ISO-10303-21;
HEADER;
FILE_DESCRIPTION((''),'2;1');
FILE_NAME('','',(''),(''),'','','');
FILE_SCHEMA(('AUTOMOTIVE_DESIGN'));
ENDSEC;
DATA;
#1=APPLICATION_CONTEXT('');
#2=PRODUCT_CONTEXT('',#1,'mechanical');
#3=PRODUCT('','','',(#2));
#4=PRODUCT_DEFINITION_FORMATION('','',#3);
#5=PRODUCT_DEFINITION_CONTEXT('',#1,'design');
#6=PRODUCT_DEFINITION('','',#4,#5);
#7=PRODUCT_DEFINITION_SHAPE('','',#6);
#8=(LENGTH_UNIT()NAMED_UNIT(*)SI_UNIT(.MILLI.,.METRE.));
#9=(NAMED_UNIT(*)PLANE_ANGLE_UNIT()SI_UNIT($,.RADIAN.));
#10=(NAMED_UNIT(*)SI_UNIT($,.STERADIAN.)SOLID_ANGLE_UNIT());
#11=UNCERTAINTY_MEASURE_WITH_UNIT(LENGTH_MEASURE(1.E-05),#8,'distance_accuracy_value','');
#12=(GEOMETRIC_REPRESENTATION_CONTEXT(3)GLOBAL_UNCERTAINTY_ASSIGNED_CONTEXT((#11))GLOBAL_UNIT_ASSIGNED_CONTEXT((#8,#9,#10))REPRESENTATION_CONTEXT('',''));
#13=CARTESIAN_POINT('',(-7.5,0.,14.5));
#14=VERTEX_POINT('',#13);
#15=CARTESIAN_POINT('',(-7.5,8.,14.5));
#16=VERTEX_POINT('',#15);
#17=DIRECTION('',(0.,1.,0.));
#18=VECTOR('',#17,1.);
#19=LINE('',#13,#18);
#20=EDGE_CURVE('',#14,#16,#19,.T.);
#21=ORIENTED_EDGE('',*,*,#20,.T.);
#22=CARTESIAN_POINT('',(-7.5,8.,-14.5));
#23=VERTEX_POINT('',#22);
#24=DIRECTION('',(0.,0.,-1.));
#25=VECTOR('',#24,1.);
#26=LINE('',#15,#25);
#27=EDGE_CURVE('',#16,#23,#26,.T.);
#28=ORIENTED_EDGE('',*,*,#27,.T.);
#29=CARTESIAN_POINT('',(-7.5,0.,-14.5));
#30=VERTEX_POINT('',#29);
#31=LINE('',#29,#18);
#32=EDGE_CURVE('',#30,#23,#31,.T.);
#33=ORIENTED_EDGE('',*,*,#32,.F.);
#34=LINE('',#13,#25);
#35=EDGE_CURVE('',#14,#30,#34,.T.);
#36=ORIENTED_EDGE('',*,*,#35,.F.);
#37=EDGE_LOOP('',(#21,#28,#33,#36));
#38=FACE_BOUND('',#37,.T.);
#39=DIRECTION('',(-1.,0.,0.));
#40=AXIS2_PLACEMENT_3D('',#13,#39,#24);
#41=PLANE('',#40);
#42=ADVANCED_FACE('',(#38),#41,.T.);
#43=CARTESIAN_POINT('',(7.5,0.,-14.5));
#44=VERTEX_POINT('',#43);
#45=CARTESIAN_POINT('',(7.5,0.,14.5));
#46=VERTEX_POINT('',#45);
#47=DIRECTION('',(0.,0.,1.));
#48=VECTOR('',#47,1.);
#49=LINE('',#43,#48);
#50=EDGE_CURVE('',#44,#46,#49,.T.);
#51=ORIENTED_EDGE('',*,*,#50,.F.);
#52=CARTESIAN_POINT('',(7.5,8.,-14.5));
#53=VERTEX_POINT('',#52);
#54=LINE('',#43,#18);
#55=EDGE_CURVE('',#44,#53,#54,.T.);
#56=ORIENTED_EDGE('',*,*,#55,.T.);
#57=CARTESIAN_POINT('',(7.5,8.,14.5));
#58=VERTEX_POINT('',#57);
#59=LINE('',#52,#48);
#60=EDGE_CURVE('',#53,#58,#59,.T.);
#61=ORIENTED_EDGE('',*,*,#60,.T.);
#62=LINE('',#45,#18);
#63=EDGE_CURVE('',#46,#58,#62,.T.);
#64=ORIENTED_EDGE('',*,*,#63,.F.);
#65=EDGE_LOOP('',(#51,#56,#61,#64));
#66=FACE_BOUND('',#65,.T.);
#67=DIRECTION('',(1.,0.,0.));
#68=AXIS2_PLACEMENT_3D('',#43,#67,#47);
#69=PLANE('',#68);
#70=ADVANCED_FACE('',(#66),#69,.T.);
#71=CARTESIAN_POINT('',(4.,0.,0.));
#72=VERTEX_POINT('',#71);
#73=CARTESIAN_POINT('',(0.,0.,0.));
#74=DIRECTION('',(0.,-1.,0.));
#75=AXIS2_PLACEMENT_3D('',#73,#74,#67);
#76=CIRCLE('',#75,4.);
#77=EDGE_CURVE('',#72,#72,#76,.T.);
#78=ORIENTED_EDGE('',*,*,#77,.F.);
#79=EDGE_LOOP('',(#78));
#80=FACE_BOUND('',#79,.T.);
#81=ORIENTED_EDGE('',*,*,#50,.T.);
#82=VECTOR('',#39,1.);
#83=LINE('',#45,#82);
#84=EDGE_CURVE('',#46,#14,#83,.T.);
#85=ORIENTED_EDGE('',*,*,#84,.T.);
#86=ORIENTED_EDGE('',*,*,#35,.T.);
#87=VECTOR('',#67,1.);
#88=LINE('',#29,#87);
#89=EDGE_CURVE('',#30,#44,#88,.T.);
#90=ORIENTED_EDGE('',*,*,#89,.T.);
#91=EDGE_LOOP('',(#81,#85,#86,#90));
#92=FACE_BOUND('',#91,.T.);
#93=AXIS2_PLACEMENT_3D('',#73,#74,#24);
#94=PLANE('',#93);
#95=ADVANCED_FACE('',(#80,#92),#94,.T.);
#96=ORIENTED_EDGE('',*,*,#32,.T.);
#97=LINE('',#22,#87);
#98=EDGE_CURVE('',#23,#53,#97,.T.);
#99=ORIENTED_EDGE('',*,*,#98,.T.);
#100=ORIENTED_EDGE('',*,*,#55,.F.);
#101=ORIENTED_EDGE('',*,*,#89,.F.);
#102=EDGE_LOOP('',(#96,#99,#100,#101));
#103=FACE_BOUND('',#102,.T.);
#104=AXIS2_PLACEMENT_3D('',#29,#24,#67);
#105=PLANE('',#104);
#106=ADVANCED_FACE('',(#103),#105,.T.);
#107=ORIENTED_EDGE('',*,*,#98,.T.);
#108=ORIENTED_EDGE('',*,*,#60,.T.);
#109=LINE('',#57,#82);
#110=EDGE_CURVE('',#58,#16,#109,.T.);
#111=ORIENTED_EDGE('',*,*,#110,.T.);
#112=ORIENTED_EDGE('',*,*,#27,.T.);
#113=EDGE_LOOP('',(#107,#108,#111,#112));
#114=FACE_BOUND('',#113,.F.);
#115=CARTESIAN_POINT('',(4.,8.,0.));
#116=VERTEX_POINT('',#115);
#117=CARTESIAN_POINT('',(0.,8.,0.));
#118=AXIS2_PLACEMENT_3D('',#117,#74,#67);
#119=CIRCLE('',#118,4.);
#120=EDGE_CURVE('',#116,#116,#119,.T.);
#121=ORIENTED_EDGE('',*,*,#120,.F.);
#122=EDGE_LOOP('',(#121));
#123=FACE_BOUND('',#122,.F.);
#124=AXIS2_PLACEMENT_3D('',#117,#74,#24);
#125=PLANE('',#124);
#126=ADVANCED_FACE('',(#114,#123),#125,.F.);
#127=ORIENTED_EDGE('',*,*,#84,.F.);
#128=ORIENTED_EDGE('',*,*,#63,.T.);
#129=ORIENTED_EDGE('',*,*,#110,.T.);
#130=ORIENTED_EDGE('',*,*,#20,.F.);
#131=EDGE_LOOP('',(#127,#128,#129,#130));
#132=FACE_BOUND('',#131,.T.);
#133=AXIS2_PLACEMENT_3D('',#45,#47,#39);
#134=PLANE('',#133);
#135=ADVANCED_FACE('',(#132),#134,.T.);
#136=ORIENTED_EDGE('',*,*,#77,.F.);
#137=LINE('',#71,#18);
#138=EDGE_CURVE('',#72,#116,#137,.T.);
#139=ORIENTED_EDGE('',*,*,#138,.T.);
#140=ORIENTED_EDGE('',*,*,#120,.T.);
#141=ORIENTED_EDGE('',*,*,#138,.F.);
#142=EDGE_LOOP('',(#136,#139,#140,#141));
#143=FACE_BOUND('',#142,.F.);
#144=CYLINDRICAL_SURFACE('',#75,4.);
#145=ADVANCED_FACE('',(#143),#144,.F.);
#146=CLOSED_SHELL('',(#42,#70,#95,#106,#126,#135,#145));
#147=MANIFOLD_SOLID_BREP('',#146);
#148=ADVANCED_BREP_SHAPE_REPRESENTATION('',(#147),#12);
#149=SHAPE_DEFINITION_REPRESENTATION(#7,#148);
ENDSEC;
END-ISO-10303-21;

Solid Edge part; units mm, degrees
sketch "Sketch1" plane through (0, 0, 0) normal (0, -1, 0) x (1, 0, 0)
  circle A0 centre (0, 0) radius 4
  line L0 (7.5, 14.5) -> (-7.5, 14.5)
  line L1 (-7.5, 14.5) -> (-7.5, -14.5)
  line L2 (-7.5, -14.5) -> (7.5, -14.5)
  line L3 (7.5, -14.5) -> (7.5, 14.5)
extrude "Protrusion1" add sketch "Sketch1" against normal blind 8
